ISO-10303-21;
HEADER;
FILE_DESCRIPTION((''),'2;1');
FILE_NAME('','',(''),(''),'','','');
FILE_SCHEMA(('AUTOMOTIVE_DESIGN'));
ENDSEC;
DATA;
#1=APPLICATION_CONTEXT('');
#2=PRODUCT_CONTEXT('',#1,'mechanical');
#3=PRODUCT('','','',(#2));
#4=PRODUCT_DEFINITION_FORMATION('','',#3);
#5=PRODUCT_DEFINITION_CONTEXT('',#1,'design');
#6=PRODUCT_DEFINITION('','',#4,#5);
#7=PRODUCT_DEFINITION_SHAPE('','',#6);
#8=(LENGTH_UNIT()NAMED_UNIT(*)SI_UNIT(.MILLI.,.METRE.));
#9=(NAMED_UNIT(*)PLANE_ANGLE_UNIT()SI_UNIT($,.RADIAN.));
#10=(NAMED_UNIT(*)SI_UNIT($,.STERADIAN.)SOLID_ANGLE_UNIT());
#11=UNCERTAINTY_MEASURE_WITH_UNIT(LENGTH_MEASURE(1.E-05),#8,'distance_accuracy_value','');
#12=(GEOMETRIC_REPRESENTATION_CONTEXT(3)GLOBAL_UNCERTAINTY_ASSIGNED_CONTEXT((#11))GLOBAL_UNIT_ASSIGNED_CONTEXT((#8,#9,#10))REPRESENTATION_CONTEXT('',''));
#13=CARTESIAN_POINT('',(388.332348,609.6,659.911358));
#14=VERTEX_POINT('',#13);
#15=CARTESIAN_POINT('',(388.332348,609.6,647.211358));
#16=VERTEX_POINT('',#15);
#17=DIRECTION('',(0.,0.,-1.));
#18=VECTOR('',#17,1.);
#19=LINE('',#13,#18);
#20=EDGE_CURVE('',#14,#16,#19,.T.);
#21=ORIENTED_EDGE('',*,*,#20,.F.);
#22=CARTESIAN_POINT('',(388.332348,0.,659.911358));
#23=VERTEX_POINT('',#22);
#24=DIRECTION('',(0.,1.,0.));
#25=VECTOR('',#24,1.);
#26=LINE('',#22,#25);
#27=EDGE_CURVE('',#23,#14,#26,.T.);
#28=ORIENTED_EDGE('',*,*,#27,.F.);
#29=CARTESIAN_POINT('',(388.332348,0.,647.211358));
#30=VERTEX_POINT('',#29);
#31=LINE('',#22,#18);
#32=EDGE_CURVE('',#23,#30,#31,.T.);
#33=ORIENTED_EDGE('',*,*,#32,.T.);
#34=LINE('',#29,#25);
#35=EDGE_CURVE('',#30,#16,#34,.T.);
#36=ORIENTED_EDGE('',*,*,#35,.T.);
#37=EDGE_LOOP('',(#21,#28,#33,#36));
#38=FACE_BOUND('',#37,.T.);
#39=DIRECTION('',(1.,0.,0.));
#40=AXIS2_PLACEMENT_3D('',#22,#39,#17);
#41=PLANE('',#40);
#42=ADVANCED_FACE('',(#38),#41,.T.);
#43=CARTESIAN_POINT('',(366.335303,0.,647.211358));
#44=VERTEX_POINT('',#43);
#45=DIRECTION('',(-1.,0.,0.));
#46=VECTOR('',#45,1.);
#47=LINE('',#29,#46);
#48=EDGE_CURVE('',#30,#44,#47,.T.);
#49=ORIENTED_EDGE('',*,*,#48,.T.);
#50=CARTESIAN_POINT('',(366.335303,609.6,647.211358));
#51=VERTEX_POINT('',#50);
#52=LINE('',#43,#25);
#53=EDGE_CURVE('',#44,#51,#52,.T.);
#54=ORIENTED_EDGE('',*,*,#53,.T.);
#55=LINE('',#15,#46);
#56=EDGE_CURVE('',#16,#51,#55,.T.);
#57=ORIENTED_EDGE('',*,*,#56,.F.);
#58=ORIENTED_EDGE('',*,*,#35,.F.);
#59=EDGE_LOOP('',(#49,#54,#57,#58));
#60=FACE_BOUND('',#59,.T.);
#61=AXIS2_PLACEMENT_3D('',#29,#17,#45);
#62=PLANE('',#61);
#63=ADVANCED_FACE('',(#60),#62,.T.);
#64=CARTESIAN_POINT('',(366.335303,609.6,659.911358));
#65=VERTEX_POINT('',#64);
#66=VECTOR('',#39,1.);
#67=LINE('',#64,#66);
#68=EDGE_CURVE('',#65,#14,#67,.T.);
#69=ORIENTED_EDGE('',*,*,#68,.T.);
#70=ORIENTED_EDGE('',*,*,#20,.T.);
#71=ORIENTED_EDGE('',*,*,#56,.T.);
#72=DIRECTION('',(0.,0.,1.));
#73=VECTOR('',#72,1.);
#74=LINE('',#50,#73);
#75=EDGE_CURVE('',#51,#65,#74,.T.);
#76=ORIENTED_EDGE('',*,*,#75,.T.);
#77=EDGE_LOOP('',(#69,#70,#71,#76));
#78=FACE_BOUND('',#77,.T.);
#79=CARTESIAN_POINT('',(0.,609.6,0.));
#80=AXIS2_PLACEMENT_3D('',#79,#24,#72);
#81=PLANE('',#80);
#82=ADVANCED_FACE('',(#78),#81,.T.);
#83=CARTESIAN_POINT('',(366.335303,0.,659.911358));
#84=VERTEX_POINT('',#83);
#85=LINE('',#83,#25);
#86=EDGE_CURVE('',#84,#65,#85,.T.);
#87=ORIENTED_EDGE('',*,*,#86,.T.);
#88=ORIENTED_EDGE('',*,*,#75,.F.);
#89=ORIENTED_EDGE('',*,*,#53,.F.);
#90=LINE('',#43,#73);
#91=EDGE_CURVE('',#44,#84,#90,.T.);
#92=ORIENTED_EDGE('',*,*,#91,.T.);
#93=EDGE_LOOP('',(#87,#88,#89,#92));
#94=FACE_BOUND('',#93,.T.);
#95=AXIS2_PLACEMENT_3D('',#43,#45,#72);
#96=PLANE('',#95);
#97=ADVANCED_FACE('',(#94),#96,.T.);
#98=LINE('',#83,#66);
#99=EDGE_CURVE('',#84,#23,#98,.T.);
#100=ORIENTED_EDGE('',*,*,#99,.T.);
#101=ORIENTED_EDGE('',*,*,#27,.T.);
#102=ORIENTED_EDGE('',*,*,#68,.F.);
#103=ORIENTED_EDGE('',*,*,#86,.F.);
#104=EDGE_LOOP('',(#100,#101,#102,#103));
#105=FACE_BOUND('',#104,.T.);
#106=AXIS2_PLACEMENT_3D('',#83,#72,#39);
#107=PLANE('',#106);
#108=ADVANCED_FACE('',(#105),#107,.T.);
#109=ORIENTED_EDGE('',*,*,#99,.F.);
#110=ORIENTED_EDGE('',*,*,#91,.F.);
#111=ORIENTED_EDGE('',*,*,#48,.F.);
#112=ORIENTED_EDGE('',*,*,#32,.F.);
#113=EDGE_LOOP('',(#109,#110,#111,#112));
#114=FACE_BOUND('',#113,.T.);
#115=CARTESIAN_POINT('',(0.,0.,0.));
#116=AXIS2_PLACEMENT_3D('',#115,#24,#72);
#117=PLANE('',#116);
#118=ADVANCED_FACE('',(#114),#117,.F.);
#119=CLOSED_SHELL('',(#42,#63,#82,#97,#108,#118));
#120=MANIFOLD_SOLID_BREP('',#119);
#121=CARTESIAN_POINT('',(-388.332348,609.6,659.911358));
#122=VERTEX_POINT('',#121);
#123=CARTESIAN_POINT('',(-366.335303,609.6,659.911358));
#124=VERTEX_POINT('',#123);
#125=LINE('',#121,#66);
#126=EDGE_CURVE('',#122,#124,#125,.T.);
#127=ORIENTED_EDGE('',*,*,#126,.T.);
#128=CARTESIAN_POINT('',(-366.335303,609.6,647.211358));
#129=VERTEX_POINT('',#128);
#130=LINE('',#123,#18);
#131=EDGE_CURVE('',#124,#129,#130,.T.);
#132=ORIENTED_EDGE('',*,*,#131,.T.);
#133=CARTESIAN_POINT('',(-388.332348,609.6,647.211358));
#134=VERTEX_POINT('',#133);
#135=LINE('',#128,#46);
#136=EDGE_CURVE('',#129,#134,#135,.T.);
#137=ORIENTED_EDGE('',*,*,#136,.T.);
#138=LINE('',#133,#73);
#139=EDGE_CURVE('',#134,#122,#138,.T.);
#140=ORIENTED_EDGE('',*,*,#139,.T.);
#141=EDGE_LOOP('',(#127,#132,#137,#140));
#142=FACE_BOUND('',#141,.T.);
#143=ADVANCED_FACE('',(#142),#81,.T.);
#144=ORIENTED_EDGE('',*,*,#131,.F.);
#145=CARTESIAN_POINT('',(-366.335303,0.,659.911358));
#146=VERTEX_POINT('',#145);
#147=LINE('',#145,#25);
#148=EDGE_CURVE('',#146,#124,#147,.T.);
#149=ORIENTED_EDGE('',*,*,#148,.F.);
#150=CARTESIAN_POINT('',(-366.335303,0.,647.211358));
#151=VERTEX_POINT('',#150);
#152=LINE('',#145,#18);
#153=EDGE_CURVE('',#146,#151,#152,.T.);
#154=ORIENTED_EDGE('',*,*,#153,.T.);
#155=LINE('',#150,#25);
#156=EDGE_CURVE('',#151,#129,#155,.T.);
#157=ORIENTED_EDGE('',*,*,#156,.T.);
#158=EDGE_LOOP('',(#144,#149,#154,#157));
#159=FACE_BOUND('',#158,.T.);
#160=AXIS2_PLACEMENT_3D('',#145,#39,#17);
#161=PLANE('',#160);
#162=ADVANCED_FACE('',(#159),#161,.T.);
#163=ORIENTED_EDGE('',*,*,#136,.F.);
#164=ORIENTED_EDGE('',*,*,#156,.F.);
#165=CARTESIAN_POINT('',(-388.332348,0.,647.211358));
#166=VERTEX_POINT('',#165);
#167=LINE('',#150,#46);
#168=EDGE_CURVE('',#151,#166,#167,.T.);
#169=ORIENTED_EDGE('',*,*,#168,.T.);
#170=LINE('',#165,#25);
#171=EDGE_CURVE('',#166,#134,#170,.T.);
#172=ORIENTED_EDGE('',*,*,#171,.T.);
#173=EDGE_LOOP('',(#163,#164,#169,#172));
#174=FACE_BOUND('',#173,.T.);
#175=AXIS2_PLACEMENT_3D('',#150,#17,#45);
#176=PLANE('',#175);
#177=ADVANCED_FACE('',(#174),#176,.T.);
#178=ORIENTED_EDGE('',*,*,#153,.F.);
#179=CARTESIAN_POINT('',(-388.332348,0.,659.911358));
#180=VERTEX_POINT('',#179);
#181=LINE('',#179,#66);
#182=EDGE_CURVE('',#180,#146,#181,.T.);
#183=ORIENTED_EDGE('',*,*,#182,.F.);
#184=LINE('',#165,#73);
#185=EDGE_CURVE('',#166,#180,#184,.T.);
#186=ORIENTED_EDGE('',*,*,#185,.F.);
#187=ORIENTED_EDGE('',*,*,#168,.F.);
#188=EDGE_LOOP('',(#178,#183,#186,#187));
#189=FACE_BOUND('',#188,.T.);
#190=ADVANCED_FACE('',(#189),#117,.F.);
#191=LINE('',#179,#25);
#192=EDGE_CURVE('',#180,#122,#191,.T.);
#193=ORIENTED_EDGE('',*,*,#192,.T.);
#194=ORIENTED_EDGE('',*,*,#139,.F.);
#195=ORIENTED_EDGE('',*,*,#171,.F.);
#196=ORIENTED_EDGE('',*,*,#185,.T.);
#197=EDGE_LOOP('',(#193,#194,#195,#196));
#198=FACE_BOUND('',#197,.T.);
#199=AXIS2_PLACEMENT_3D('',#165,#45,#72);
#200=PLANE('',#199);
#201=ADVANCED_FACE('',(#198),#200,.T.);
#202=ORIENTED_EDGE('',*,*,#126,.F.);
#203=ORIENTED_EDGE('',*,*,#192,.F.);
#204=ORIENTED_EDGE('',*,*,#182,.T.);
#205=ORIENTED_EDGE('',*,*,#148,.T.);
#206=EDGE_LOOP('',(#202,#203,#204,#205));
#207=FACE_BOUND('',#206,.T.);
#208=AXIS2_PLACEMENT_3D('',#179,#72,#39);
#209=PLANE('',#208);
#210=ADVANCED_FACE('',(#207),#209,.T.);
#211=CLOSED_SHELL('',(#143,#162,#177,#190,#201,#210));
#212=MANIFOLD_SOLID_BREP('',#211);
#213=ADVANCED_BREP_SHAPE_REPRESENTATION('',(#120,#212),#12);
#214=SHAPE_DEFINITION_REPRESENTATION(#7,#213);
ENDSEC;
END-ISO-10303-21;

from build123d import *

# Parameters (mm, degrees)
SKETCH1_W             = 21.997045256
SKETCH1_H             = 12.7
BOSS_EXTRUDE1_DEPTH   = 609.6
BOSS_EXTRUDE1_2_DEPTH = 609.6


with BuildPart() as part:
    # Sketch1 → Boss-Extrude1 (new body)
    with BuildSketch(Plane(origin=(0, 609.6, 0), x_dir=(1, 0, 0), z_dir=(0, 1, 0))):
        with Locations((377.333825791, -653.561357684)):
            Rectangle(SKETCH1_W, SKETCH1_H)
    extrude(amount=-BOSS_EXTRUDE1_DEPTH)


with BuildPart() as body_2:
    # Sketch1 → Boss-Extrude1 2 (new body)
    with BuildSketch(Plane(origin=(0, 609.6, 0), x_dir=(1, 0, 0), z_dir=(0, 1, 0))):
        with Locations((-377.333825791, -653.561357684)):
            Rectangle(SKETCH1_W, SKETCH1_H)
    extrude(amount=-BOSS_EXTRUDE1_2_DEPTH)


solid = Compound([part.part, body_2.part])
